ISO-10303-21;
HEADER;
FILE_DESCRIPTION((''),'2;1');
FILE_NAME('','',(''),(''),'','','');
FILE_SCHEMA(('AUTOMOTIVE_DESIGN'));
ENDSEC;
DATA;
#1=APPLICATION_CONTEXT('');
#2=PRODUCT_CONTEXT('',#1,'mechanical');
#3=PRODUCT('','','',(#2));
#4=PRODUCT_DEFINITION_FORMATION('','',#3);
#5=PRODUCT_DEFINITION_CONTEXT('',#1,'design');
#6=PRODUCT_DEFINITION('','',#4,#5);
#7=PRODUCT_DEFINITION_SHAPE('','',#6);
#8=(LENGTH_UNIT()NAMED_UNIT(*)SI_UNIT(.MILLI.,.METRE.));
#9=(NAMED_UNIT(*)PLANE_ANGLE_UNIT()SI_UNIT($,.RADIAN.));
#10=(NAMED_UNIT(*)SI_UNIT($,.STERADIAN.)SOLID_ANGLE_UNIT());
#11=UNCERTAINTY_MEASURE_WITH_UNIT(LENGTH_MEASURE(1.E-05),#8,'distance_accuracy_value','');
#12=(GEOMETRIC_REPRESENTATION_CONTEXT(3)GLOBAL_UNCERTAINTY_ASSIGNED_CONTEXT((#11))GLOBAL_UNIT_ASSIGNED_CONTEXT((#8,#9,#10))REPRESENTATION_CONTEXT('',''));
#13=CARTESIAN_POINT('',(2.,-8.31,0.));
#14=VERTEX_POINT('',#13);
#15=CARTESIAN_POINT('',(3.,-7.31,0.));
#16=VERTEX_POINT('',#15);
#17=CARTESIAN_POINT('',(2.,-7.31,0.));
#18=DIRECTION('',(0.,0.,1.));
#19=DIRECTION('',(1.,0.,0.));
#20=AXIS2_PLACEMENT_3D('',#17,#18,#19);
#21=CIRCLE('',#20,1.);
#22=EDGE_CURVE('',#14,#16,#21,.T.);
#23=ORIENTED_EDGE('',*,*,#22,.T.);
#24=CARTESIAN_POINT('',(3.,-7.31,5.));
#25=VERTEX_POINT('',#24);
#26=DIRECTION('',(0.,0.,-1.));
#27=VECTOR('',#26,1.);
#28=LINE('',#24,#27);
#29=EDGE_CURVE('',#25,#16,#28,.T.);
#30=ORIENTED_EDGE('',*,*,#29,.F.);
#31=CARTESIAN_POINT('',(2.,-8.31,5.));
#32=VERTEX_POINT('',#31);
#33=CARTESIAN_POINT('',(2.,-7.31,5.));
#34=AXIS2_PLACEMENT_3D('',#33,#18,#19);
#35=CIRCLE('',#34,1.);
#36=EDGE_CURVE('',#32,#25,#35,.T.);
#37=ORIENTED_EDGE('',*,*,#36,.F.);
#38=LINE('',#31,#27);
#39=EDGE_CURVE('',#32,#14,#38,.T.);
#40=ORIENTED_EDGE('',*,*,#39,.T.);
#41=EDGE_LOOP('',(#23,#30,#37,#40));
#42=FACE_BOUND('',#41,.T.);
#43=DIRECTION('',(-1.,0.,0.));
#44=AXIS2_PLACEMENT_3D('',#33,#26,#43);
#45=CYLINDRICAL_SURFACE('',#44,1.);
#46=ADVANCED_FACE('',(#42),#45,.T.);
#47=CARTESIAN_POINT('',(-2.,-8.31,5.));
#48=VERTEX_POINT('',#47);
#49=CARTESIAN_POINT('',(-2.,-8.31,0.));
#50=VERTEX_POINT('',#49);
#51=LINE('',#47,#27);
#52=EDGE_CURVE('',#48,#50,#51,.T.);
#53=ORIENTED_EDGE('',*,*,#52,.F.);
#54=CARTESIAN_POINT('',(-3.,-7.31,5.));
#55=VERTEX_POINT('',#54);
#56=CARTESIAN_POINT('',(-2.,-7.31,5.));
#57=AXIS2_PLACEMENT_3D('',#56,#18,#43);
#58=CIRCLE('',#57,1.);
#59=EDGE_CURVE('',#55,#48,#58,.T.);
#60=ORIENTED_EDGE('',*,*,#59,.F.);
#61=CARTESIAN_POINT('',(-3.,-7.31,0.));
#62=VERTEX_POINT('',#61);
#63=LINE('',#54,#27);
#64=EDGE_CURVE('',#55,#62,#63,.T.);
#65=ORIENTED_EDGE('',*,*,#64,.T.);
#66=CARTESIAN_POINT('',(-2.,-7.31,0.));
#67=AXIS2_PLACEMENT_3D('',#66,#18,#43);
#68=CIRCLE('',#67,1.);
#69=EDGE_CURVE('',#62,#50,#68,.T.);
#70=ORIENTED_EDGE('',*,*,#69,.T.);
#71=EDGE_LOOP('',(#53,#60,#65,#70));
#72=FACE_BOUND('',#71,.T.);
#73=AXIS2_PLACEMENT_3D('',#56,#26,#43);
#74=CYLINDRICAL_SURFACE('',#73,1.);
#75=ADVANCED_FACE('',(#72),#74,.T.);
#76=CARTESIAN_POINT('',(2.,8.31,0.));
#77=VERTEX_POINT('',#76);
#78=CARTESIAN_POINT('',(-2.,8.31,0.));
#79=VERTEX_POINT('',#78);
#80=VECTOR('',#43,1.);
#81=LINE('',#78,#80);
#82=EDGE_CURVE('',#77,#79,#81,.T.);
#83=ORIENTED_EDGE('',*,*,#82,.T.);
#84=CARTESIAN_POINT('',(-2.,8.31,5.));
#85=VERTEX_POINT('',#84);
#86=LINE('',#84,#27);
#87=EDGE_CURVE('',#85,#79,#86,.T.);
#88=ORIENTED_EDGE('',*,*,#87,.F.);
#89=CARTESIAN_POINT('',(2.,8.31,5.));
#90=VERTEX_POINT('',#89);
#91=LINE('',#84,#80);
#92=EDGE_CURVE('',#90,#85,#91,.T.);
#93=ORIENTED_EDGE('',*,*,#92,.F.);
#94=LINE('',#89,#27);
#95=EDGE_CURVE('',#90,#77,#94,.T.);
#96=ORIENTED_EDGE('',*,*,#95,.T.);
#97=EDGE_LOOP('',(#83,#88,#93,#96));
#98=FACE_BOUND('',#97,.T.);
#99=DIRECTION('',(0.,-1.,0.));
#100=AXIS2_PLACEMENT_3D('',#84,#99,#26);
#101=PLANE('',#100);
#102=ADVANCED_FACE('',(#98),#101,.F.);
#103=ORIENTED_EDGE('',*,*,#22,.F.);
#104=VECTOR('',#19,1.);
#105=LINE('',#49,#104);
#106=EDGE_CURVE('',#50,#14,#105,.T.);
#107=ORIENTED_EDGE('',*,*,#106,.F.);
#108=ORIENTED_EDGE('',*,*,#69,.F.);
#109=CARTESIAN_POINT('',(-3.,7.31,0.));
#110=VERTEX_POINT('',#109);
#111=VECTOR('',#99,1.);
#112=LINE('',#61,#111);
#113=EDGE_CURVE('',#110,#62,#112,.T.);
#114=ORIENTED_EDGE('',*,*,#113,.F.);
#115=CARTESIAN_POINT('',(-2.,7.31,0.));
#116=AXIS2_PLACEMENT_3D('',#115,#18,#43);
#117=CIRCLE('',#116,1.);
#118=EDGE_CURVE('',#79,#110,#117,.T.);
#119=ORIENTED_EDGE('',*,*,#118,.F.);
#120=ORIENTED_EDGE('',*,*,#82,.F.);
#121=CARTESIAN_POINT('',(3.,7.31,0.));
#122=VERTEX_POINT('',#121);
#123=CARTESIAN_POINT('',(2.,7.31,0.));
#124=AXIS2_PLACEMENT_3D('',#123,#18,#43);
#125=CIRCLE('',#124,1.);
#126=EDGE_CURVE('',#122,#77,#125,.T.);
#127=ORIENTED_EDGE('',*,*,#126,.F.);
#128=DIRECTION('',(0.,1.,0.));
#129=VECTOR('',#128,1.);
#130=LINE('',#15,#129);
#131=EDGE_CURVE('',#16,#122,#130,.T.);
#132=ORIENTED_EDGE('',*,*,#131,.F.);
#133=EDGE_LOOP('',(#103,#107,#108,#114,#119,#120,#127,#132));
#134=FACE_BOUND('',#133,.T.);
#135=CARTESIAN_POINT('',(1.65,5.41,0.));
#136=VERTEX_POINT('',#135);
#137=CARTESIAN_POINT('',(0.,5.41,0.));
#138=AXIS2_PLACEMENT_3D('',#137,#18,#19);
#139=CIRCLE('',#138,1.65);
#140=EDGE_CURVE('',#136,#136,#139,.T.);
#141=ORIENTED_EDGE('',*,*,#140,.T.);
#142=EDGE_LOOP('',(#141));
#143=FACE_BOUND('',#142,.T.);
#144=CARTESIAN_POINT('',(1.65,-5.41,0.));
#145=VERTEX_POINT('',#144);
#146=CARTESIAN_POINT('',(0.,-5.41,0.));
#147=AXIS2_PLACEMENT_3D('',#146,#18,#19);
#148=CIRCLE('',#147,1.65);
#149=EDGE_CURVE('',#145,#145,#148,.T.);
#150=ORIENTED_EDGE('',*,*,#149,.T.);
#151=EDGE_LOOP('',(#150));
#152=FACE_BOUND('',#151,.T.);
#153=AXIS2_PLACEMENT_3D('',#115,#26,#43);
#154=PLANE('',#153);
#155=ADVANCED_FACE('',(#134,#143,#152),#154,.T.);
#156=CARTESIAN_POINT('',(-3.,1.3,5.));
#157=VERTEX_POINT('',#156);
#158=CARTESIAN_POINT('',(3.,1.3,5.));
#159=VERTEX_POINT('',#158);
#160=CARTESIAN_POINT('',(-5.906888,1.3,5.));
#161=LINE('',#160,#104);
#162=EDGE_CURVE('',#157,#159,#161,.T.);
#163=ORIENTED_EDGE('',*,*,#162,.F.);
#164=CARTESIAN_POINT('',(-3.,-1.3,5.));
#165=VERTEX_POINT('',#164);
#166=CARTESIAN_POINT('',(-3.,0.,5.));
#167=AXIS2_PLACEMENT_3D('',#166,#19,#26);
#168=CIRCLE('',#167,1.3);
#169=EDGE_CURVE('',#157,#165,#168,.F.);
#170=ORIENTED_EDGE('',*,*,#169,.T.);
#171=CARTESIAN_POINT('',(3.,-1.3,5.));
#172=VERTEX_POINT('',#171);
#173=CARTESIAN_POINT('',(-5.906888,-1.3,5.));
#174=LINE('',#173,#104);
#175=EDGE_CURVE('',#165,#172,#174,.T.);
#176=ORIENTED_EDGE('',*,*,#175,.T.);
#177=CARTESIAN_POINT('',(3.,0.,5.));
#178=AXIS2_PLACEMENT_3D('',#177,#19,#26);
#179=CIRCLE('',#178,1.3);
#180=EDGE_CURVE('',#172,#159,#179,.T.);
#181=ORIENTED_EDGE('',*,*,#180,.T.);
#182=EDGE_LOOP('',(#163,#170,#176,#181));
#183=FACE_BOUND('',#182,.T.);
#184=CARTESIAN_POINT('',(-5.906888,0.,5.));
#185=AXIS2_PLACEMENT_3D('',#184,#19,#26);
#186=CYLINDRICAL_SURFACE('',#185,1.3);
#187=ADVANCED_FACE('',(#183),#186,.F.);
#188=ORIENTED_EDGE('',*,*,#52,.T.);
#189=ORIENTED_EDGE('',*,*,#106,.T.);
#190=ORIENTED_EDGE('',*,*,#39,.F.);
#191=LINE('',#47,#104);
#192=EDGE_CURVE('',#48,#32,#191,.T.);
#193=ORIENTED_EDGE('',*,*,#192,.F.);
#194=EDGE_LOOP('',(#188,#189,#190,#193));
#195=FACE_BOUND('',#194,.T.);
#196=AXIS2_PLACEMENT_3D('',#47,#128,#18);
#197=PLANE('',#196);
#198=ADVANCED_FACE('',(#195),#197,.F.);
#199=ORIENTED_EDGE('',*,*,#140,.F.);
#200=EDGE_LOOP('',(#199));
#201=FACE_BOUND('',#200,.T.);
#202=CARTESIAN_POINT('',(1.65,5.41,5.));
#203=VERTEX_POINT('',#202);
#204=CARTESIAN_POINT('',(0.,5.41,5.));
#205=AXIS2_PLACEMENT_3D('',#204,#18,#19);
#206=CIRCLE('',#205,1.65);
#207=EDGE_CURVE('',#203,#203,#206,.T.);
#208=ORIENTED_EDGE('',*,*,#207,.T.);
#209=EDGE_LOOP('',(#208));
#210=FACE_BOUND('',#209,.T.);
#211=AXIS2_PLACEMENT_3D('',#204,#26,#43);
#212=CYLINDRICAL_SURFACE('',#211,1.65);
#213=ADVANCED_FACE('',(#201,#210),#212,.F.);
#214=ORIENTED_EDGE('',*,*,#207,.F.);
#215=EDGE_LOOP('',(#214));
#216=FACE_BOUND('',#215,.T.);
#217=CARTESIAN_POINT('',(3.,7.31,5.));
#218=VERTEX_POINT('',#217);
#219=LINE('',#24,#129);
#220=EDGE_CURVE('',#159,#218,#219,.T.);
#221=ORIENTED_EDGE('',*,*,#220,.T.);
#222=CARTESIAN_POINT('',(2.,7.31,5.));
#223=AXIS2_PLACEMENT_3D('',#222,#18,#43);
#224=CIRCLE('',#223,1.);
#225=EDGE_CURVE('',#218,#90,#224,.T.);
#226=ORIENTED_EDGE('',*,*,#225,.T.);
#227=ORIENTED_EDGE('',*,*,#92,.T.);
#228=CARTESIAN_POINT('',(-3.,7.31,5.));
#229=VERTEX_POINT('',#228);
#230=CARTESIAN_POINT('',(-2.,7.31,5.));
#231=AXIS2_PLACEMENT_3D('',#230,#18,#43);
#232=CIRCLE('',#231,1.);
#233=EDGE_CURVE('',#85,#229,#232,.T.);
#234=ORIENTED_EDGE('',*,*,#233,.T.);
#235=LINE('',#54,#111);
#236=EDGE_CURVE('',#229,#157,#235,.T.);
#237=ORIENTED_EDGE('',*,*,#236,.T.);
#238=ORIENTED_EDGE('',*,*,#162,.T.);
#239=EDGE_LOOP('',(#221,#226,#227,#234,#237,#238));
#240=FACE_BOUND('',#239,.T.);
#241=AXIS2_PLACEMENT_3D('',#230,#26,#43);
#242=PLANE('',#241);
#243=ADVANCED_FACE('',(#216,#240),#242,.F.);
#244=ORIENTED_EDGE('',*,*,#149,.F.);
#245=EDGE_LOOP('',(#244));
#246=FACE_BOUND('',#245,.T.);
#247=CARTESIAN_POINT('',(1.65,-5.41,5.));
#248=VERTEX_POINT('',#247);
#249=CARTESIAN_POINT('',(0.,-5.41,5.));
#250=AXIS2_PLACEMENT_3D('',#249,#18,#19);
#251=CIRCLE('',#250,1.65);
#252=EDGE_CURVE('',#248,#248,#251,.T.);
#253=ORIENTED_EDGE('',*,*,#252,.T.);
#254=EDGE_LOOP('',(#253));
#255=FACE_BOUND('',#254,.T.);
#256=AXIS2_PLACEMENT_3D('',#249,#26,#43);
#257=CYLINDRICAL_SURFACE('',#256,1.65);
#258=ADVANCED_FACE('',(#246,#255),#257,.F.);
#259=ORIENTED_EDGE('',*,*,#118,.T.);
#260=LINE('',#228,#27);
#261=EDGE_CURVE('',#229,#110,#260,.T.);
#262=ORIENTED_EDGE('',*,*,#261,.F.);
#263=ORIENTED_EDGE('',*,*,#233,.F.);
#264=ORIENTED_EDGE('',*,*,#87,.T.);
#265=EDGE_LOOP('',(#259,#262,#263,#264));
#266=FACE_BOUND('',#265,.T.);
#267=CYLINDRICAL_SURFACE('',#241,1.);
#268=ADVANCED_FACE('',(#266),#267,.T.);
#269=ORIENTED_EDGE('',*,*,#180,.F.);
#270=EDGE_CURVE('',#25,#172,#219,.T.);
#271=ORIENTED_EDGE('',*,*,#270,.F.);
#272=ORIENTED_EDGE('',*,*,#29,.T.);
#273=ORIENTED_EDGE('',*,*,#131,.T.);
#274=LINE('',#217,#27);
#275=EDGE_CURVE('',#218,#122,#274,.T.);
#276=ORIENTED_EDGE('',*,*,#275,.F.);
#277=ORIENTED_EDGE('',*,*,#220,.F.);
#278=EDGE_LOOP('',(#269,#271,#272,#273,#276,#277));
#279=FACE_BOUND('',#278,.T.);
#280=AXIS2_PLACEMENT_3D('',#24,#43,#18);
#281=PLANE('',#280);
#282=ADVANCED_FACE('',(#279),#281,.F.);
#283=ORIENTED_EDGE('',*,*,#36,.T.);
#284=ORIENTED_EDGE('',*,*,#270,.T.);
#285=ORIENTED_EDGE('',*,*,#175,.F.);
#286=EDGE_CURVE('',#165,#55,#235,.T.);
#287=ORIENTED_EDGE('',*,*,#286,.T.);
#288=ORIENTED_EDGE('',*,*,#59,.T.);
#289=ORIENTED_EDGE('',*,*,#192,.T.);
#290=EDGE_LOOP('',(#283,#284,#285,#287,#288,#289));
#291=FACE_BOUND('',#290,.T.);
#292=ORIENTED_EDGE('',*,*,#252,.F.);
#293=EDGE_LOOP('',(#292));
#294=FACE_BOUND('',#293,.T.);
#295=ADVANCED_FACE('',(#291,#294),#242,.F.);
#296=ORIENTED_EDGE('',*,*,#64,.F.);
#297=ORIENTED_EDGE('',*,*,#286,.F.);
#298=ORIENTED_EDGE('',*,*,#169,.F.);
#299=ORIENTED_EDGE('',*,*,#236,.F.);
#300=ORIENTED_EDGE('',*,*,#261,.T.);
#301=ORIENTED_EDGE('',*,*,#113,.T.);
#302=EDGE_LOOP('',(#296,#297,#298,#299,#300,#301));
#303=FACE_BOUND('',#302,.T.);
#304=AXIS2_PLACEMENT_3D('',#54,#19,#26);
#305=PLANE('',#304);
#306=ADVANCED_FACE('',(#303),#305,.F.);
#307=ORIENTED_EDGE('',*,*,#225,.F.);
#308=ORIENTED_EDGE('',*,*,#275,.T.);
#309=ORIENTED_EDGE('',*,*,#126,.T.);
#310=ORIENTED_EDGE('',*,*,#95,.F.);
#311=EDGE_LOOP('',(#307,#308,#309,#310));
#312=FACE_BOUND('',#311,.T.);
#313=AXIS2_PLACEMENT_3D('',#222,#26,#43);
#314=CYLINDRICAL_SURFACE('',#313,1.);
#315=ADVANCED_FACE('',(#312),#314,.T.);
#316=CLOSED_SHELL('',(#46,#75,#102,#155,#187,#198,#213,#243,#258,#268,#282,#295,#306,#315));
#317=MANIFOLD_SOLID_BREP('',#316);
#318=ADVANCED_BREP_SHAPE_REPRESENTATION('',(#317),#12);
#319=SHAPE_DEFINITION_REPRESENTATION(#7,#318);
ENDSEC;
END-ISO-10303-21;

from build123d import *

# Parameters (mm, degrees)
SKETCH1_R           = 1.65
BOSS_EXTRUDE1_DEPTH = 5
CUT_EXTRUDE1_DEPTH  = 6


with BuildPart() as part:
    # Sketch1 → Boss-Extrude1 (new body)
    with BuildSketch(Plane.XY):
        with BuildLine():
            Line((-2, -8.31), (2, -8.31))
            ThreePointArc((2, -8.31), (2.707106781, -8.017106781), (3, -7.31))
            Line((3, -7.31), (3, 7.31))
            ThreePointArc((3, 7.31), (2.707106781, 8.017106781), (2, 8.31))
            Line((2, 8.31), (-2, 8.31))
            ThreePointArc((-2, 8.31), (-2.707106781, 8.017106781), (-3, 7.31))
            Line((-3, 7.31), (-3, -7.31))
            ThreePointArc((-3, -7.31), (-2.707106781, -8.017106781), (-2, -8.31))
        make_face()
        with Locations((0, -5.41)):
            Circle(SKETCH1_R, mode=Mode.SUBTRACT)
        with Locations((0, 5.41)):
            Circle(SKETCH1_R, mode=Mode.SUBTRACT)
    extrude(amount=BOSS_EXTRUDE1_DEPTH)

    # Sketch2 → Cut-Extrude1 (cut)
    with BuildSketch(Plane(origin=(3, 0, 0), x_dir=(0, 0, -1), z_dir=(1, 0, 0))):
        with BuildLine():
            Line((-5, -1.3), (-5, 1.3))
            ThreePointArc((-5, 1.3), (-3.7, 0), (-5, -1.3))
        make_face()
    extrude(amount=-CUT_EXTRUDE1_DEPTH, mode=Mode.SUBTRACT)


solid = part.part
